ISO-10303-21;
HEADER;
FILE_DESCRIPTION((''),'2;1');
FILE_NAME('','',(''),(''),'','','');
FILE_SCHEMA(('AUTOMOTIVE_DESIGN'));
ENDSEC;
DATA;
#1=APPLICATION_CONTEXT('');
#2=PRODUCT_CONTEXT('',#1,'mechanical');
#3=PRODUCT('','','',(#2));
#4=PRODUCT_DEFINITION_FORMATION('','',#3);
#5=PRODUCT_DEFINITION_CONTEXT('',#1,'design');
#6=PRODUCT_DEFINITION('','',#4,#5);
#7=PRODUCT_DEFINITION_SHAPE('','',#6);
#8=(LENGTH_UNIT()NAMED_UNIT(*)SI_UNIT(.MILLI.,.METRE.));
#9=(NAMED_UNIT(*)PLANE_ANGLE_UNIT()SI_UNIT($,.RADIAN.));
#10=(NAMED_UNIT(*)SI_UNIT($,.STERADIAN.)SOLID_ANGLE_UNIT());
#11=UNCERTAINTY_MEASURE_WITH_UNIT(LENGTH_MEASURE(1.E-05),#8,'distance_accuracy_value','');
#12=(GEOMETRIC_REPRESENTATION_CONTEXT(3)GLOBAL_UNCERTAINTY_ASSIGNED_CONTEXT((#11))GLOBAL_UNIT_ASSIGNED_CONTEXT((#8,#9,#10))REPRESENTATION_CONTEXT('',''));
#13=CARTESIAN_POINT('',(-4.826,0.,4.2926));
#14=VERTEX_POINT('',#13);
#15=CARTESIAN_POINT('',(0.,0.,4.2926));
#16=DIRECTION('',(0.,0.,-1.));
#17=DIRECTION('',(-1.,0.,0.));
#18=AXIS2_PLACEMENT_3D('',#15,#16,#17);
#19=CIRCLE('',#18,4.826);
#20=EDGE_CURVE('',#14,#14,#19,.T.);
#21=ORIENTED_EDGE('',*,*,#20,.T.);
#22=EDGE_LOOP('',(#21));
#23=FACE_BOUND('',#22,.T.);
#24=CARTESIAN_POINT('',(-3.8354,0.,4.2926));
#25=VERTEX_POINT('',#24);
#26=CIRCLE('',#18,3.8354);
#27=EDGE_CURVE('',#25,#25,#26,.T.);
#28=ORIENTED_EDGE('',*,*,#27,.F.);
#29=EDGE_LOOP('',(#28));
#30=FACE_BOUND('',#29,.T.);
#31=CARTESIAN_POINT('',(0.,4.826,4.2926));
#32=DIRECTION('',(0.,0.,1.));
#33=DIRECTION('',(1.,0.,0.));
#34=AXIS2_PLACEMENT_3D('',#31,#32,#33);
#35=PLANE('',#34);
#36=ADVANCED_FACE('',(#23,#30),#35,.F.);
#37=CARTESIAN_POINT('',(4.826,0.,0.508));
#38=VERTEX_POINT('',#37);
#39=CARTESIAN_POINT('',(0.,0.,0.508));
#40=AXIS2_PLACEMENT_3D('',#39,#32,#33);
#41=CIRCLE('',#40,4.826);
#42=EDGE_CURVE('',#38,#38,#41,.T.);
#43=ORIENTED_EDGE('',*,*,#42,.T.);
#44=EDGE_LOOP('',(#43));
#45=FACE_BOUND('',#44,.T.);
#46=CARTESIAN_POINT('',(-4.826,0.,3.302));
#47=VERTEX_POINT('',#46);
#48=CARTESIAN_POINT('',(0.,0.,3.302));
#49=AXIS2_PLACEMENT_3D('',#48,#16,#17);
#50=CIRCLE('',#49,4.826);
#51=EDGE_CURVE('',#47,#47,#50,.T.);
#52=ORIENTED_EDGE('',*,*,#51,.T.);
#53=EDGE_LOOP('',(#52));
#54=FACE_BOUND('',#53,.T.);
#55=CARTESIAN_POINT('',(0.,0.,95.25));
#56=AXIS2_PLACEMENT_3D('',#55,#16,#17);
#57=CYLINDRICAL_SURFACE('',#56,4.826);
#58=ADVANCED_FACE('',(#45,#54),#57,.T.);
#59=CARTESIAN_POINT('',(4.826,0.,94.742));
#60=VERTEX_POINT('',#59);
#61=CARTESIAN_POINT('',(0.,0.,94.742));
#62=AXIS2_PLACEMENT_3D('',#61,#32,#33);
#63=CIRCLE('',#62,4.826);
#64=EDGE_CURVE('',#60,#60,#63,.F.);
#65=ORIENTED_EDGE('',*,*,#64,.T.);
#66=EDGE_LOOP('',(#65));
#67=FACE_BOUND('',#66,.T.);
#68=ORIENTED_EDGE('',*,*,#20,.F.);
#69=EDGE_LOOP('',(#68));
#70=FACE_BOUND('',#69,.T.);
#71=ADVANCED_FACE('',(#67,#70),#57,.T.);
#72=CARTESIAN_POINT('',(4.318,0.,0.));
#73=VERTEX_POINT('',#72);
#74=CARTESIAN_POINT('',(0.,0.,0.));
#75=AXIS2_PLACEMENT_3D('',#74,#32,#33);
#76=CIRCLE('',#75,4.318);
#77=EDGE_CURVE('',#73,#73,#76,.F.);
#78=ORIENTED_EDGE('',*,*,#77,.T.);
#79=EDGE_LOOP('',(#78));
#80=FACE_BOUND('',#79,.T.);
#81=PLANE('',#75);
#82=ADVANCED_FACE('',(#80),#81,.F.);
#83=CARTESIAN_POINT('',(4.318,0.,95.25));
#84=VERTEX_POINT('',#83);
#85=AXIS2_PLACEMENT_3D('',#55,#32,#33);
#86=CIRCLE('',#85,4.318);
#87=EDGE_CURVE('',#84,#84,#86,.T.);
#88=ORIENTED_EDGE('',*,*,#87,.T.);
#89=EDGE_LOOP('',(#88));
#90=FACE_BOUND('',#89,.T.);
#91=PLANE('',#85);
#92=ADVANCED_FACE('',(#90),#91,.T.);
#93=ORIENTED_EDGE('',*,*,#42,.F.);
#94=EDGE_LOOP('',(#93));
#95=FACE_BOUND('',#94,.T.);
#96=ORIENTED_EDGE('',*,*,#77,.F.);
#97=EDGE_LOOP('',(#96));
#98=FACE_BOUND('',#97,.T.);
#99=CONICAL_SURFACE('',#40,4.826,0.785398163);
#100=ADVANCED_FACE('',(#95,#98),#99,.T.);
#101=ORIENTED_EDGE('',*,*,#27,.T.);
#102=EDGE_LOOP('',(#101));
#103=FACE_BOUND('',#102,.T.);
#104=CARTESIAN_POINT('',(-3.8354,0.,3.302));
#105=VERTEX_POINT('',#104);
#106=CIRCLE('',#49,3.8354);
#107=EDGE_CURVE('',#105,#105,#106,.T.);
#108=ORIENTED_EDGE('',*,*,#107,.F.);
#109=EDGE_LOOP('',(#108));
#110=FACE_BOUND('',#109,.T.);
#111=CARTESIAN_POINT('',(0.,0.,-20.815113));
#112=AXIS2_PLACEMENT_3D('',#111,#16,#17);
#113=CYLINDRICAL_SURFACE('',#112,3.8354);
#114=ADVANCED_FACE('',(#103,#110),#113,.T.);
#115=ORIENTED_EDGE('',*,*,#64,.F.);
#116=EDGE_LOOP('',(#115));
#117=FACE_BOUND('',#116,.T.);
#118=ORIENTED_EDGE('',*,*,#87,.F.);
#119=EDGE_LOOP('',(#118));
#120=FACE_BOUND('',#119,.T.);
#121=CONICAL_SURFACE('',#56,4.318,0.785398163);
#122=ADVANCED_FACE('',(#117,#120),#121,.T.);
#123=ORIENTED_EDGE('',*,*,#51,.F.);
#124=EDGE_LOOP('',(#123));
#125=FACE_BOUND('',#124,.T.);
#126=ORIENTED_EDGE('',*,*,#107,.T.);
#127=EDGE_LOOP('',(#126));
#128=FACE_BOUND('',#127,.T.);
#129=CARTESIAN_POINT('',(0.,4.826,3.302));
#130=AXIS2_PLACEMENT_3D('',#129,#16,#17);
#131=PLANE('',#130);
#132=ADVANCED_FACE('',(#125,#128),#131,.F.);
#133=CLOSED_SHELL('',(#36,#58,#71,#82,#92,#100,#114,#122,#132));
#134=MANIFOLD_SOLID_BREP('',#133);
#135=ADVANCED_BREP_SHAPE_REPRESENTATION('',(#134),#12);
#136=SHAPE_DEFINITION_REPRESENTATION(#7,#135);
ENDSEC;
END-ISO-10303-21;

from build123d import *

# Parameters (mm, degrees)
SKETCH1_R           = 4.826
BOSS_EXTRUDE1_DEPTH = 95.25
CHAMFER1_SIZE       = 0.508
SKETCH4_W           = 0.9906
SKETCH4_H           = 0.9906


with BuildPart() as part:
    # Sketch1 → Boss-Extrude1 (new body)
    with BuildSketch(Plane.XY):
        Circle(SKETCH1_R)
    extrude(amount=BOSS_EXTRUDE1_DEPTH)

    # Chamfer1
    chamfer1_edges = [part.edges().sort_by_distance(p)[0] for p in [
        (-4.826, 0, 0),
        (-4.826, 0, 95.25),
    ]]
    chamfer(chamfer1_edges, length=CHAMFER1_SIZE)

    # Sketch4 → Cut-Revolve1 (revolve, cut)
    with BuildSketch(Plane(origin=(0, 0, 0), x_dir=(0, 0, -1), z_dir=(1, 0, 0)), mode=Mode.PRIVATE) as cut_revolve1_sk:
        with Locations((-3.7973, 4.3307)):
            Rectangle(SKETCH4_W, SKETCH4_H)
    revolve(cut_revolve1_sk.sketch.rotate(Axis((0, 0, -20.81511258), (0, 0, 1)), 90), axis=Axis((0, 0, -20.81511258), (0, 0, 1)), mode=Mode.SUBTRACT)


solid = part.part
